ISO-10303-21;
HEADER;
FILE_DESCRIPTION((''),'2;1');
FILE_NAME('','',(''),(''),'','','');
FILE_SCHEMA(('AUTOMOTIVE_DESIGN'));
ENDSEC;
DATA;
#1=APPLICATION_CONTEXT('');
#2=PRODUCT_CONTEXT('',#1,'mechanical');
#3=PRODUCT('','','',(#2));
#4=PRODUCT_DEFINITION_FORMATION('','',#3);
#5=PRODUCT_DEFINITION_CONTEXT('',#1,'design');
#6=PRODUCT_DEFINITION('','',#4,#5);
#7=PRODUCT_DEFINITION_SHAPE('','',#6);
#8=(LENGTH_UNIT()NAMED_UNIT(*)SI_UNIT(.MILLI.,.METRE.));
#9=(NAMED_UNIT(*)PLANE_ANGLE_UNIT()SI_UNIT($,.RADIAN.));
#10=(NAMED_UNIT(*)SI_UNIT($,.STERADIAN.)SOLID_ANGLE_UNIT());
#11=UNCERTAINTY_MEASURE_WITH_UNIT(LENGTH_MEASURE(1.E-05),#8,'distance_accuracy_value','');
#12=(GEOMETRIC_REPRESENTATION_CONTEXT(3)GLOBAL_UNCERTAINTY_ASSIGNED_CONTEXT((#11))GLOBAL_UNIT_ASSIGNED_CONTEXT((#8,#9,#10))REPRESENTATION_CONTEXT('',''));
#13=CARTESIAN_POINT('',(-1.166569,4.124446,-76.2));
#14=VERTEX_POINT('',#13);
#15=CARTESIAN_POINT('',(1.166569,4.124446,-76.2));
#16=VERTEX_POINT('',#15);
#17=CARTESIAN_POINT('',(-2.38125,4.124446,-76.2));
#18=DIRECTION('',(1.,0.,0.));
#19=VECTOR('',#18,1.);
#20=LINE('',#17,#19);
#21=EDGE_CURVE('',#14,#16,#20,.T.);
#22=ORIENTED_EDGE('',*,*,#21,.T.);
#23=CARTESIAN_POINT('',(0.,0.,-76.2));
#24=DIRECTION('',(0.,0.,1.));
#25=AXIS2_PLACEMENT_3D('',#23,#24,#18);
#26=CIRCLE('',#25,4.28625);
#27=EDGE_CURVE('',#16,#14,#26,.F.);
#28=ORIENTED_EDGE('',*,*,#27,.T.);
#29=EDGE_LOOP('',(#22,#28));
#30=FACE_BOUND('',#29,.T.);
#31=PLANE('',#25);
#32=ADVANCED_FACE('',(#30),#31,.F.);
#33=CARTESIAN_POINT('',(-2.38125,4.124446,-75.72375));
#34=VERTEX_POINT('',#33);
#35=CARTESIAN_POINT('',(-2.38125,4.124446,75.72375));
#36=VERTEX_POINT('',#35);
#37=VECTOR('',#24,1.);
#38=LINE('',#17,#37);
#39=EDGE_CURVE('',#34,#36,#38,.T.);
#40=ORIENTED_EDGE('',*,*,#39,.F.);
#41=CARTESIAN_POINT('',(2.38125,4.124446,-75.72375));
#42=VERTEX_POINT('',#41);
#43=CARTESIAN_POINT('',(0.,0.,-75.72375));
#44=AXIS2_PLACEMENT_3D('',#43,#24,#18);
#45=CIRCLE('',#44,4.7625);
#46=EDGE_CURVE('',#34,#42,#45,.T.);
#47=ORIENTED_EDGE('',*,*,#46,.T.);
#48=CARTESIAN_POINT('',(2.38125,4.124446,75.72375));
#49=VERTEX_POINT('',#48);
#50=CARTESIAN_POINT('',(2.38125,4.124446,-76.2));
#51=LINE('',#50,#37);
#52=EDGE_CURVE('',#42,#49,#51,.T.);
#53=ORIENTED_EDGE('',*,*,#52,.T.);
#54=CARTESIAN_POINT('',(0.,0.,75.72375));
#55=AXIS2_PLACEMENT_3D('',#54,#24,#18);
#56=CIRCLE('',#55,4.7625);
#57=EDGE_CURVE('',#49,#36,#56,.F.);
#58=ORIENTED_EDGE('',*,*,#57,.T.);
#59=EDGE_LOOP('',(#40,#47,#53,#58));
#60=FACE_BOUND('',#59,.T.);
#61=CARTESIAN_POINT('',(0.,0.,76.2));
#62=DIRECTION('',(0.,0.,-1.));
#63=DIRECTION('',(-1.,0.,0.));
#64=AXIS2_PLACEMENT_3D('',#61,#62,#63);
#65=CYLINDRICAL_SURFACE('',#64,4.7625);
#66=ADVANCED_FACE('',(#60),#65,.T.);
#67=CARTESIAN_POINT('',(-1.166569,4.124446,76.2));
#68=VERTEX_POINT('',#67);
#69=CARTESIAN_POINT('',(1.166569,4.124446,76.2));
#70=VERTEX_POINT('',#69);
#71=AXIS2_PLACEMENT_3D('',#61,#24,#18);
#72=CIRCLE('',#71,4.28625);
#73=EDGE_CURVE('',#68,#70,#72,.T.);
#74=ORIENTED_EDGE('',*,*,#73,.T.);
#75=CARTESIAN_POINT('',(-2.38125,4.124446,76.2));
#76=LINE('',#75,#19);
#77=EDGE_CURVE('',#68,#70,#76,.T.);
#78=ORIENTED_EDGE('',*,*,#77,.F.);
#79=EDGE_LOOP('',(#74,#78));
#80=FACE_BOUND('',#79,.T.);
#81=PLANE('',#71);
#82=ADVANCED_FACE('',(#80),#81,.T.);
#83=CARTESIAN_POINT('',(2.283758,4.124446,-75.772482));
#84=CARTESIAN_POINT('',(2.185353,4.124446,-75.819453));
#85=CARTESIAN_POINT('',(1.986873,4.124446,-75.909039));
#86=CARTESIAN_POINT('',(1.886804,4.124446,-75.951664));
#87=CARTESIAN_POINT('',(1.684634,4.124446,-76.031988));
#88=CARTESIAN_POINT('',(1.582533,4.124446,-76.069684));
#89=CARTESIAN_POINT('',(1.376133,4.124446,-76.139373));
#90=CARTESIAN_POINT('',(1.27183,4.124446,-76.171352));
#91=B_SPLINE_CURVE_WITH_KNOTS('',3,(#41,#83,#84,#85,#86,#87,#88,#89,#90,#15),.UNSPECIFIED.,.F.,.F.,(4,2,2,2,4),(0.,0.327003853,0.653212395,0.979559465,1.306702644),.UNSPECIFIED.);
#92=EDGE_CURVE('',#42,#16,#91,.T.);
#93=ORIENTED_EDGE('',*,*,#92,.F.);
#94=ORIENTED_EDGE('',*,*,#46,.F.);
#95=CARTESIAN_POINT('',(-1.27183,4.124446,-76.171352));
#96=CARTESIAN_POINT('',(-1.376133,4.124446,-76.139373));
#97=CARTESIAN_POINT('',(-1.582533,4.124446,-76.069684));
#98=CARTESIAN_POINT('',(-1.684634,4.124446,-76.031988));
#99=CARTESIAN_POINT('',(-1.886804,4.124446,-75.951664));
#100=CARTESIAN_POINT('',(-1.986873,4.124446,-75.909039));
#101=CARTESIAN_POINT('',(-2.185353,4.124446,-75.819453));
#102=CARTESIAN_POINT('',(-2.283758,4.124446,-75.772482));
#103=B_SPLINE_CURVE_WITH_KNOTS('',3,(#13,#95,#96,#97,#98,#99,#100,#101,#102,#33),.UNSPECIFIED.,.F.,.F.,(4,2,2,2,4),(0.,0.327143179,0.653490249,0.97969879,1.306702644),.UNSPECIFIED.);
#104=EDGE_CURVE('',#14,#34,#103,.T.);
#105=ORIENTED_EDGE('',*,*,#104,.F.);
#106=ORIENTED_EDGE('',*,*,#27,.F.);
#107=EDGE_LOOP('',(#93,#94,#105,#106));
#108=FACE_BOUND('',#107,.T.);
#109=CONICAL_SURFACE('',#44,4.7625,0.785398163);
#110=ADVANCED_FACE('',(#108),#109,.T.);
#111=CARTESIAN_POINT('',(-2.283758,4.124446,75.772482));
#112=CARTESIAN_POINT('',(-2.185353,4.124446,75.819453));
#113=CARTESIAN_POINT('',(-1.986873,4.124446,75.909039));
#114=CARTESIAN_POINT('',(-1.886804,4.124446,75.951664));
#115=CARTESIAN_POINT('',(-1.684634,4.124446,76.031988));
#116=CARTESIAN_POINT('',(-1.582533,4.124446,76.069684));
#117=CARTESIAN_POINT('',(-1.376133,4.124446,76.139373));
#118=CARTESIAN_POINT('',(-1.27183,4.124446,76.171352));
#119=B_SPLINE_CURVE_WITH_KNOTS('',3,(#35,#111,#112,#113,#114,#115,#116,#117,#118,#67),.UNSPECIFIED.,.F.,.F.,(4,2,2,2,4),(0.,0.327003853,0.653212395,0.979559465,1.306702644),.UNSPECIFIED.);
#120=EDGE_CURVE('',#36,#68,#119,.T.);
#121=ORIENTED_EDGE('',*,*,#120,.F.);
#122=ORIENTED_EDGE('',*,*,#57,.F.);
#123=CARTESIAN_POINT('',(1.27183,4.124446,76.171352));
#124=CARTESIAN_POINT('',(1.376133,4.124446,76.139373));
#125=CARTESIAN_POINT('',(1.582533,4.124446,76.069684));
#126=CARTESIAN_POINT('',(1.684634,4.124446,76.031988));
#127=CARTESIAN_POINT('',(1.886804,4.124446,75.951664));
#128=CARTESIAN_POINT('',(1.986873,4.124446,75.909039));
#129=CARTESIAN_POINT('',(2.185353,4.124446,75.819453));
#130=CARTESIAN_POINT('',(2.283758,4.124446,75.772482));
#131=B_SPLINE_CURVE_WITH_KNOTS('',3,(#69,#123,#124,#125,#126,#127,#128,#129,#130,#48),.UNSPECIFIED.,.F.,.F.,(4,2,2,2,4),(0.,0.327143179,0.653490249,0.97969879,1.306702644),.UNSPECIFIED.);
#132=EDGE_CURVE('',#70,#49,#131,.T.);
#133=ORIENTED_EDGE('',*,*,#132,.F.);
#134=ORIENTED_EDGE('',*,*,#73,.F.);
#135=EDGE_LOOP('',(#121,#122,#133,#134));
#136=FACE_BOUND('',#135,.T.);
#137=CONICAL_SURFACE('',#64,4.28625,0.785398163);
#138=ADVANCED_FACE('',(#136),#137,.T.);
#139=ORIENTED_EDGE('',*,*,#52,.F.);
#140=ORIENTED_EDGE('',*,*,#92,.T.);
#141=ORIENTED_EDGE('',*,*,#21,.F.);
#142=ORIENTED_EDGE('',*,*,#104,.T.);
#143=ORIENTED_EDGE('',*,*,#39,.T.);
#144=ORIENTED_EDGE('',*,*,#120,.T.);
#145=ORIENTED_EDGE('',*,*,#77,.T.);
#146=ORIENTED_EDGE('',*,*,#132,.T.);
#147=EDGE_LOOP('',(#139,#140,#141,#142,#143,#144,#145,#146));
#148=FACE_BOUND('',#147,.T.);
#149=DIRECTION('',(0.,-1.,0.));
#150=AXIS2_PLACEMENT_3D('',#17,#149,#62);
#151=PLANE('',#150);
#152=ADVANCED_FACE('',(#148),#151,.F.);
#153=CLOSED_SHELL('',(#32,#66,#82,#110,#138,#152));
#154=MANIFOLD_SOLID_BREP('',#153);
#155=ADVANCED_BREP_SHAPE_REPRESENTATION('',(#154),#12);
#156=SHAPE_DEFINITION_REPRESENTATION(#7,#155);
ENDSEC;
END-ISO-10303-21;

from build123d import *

# Parameters (mm, degrees)
SKETCH3_R                = 4.7625
BOSS_EXTRUDE2_DEPTH      = 76.2
BOSS_EXTRUDE2_DEPTH_BACK = 76.2
CUT_EXTRUDE5_DEPTH       = 77.2
CUT_EXTRUDE5_DEPTH_BACK  = 77.2
CHAMFER1_SIZE            = 0.47625


with BuildPart() as part:
    # Sketch3 → Boss-Extrude2 (new body, two sides)
    with BuildSketch(Plane.XY) as boss_extrude2_sk:
        Circle(SKETCH3_R)
    extrude(amount=BOSS_EXTRUDE2_DEPTH)
    extrude(boss_extrude2_sk.sketch, amount=-BOSS_EXTRUDE2_DEPTH_BACK)

    # Sketch10 → Cut-Extrude5 (cut, two sides)
    with BuildSketch(Plane.XY) as cut_extrude5_sk:
        with BuildLine():
            Line((-2.38125, 4.124445986), (2.38125, 4.124445986))
            ThreePointArc((2.38125, 4.124445986), (0, 4.7625), (-2.38125, 4.124445986))
        make_face()
    extrude(amount=CUT_EXTRUDE5_DEPTH, mode=Mode.SUBTRACT)
    extrude(cut_extrude5_sk.sketch, amount=-CUT_EXTRUDE5_DEPTH_BACK, mode=Mode.SUBTRACT)

    # Chamfer1
    chamfer1_edges = [part.edges().sort_by_distance(p)[0] for p in [
        (0, -4.7625, -76.2),
        (0, -4.7625, 76.2),
    ]]
    chamfer(chamfer1_edges, length=CHAMFER1_SIZE)


solid = part.part
